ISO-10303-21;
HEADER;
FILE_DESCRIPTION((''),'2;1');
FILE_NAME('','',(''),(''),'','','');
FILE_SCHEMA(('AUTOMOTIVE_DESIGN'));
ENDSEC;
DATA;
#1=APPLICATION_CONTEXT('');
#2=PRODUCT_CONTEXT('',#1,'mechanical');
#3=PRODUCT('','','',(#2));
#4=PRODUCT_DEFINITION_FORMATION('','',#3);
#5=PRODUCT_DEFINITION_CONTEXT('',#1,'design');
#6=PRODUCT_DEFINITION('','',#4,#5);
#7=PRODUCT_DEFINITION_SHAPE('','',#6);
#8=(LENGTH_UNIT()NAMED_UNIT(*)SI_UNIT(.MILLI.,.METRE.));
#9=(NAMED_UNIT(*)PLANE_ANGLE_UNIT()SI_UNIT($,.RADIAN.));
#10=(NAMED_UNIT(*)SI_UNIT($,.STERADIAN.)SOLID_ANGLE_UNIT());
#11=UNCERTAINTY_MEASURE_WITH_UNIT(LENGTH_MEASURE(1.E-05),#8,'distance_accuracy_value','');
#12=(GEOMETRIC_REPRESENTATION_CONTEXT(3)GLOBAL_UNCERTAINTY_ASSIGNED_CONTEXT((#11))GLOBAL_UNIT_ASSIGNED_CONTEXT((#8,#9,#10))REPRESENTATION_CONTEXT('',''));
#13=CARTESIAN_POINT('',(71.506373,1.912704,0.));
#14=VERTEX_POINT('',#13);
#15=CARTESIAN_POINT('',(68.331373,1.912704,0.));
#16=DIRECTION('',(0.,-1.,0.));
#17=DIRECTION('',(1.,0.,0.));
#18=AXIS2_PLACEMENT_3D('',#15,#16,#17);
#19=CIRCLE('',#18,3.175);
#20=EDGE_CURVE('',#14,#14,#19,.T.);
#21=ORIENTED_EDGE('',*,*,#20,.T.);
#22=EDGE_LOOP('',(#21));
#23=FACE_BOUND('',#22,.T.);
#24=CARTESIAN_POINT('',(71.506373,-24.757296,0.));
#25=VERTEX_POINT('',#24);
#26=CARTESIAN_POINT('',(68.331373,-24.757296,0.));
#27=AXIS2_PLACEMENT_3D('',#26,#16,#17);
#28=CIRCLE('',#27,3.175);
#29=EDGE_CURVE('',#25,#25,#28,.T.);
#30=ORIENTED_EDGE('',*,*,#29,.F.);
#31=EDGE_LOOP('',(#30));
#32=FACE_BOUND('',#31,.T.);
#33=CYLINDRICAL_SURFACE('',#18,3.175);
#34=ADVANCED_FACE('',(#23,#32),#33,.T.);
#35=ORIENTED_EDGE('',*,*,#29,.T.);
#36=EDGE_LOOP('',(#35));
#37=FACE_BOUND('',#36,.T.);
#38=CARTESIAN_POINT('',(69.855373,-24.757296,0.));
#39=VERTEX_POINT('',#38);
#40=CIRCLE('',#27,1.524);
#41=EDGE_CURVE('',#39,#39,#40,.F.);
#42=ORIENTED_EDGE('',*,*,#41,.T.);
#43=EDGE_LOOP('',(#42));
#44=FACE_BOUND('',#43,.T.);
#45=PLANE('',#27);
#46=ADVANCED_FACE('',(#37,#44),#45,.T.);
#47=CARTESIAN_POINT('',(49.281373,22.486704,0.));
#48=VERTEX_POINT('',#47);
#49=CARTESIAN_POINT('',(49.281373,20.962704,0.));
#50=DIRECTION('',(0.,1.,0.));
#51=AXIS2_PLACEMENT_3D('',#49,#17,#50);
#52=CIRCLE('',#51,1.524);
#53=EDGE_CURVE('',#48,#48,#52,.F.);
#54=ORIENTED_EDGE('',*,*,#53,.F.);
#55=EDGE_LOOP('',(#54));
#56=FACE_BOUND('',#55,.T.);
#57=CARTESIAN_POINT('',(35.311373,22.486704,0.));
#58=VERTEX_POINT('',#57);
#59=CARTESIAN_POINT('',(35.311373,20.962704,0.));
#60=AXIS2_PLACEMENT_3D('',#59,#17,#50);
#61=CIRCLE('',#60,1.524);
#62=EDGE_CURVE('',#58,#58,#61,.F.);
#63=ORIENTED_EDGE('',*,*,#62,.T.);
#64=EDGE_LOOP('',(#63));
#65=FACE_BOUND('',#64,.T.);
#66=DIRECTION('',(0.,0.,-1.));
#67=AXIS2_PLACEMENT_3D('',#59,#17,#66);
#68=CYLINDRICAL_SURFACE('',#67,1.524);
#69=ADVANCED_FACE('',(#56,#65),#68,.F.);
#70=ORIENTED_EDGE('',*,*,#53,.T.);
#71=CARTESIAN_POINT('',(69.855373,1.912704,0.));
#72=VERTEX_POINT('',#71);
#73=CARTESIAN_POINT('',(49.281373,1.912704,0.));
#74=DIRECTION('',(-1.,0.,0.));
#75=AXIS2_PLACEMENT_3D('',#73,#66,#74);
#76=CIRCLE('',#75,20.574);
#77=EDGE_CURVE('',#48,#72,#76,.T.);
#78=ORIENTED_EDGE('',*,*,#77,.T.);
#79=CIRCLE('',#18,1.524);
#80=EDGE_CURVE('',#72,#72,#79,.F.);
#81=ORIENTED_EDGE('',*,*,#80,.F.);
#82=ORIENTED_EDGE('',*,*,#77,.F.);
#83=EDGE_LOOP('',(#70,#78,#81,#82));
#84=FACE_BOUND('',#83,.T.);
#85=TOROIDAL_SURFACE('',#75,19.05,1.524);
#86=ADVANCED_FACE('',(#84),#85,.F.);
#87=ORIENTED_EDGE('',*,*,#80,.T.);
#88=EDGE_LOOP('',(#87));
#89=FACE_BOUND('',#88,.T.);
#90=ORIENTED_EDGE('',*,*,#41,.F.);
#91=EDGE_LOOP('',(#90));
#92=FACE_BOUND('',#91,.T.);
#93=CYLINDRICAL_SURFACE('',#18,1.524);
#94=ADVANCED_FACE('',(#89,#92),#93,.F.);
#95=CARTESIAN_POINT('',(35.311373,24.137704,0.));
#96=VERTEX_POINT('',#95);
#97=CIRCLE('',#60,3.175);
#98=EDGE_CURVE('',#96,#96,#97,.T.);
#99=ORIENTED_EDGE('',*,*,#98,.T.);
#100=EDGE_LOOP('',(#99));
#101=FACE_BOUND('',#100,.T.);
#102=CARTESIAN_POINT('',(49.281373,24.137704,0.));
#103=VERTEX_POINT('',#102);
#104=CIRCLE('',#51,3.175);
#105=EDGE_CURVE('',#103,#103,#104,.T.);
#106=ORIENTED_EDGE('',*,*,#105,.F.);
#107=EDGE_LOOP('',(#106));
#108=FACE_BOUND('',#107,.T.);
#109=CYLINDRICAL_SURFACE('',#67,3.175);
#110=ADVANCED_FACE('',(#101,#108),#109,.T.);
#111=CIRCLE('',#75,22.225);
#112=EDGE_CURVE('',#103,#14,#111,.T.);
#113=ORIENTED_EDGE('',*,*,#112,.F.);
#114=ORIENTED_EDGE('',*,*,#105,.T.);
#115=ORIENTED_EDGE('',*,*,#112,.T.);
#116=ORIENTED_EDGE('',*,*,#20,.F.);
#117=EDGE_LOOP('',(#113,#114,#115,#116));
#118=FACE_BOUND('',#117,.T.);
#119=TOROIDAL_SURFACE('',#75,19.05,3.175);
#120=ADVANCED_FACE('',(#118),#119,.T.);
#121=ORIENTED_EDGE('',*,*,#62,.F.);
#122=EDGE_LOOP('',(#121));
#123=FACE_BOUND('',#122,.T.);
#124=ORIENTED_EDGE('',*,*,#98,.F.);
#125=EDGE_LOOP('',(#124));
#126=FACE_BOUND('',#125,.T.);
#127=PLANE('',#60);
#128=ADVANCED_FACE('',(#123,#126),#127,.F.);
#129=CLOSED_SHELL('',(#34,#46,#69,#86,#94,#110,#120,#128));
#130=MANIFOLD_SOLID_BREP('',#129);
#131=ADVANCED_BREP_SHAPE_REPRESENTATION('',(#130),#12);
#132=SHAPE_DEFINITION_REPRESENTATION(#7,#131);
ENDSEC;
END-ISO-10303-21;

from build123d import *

# Parameters (mm, degrees)
SKETCH2_R   = 3.175
SKETCH2_R_2 = 1.524


with BuildPart() as part:
    # Sweep1: sweep along a path in Sketch1
    with BuildLine(Plane.XY) as sweep1_path:
        Line((35.311373379, 20.962704245), (49.281373379, 20.962704245))
        ThreePointArc((49.281373379, 20.962704245), (62.751757561, 15.383088426), (68.331373379, 1.912704245))
        Line((68.331373379, 1.912704245), (68.331373379, -24.757295755))
    # Sketch2 → Sweep1 (sweep)
    with BuildSketch(Plane(origin=(35.311373379, 20.962704245, 0), x_dir=(0, 0, -1), z_dir=(1, 0, 0))):
        Circle(SKETCH2_R)
        Circle(SKETCH2_R_2, mode=Mode.SUBTRACT)
    sweep(path=sweep1_path.line)


solid = part.part
